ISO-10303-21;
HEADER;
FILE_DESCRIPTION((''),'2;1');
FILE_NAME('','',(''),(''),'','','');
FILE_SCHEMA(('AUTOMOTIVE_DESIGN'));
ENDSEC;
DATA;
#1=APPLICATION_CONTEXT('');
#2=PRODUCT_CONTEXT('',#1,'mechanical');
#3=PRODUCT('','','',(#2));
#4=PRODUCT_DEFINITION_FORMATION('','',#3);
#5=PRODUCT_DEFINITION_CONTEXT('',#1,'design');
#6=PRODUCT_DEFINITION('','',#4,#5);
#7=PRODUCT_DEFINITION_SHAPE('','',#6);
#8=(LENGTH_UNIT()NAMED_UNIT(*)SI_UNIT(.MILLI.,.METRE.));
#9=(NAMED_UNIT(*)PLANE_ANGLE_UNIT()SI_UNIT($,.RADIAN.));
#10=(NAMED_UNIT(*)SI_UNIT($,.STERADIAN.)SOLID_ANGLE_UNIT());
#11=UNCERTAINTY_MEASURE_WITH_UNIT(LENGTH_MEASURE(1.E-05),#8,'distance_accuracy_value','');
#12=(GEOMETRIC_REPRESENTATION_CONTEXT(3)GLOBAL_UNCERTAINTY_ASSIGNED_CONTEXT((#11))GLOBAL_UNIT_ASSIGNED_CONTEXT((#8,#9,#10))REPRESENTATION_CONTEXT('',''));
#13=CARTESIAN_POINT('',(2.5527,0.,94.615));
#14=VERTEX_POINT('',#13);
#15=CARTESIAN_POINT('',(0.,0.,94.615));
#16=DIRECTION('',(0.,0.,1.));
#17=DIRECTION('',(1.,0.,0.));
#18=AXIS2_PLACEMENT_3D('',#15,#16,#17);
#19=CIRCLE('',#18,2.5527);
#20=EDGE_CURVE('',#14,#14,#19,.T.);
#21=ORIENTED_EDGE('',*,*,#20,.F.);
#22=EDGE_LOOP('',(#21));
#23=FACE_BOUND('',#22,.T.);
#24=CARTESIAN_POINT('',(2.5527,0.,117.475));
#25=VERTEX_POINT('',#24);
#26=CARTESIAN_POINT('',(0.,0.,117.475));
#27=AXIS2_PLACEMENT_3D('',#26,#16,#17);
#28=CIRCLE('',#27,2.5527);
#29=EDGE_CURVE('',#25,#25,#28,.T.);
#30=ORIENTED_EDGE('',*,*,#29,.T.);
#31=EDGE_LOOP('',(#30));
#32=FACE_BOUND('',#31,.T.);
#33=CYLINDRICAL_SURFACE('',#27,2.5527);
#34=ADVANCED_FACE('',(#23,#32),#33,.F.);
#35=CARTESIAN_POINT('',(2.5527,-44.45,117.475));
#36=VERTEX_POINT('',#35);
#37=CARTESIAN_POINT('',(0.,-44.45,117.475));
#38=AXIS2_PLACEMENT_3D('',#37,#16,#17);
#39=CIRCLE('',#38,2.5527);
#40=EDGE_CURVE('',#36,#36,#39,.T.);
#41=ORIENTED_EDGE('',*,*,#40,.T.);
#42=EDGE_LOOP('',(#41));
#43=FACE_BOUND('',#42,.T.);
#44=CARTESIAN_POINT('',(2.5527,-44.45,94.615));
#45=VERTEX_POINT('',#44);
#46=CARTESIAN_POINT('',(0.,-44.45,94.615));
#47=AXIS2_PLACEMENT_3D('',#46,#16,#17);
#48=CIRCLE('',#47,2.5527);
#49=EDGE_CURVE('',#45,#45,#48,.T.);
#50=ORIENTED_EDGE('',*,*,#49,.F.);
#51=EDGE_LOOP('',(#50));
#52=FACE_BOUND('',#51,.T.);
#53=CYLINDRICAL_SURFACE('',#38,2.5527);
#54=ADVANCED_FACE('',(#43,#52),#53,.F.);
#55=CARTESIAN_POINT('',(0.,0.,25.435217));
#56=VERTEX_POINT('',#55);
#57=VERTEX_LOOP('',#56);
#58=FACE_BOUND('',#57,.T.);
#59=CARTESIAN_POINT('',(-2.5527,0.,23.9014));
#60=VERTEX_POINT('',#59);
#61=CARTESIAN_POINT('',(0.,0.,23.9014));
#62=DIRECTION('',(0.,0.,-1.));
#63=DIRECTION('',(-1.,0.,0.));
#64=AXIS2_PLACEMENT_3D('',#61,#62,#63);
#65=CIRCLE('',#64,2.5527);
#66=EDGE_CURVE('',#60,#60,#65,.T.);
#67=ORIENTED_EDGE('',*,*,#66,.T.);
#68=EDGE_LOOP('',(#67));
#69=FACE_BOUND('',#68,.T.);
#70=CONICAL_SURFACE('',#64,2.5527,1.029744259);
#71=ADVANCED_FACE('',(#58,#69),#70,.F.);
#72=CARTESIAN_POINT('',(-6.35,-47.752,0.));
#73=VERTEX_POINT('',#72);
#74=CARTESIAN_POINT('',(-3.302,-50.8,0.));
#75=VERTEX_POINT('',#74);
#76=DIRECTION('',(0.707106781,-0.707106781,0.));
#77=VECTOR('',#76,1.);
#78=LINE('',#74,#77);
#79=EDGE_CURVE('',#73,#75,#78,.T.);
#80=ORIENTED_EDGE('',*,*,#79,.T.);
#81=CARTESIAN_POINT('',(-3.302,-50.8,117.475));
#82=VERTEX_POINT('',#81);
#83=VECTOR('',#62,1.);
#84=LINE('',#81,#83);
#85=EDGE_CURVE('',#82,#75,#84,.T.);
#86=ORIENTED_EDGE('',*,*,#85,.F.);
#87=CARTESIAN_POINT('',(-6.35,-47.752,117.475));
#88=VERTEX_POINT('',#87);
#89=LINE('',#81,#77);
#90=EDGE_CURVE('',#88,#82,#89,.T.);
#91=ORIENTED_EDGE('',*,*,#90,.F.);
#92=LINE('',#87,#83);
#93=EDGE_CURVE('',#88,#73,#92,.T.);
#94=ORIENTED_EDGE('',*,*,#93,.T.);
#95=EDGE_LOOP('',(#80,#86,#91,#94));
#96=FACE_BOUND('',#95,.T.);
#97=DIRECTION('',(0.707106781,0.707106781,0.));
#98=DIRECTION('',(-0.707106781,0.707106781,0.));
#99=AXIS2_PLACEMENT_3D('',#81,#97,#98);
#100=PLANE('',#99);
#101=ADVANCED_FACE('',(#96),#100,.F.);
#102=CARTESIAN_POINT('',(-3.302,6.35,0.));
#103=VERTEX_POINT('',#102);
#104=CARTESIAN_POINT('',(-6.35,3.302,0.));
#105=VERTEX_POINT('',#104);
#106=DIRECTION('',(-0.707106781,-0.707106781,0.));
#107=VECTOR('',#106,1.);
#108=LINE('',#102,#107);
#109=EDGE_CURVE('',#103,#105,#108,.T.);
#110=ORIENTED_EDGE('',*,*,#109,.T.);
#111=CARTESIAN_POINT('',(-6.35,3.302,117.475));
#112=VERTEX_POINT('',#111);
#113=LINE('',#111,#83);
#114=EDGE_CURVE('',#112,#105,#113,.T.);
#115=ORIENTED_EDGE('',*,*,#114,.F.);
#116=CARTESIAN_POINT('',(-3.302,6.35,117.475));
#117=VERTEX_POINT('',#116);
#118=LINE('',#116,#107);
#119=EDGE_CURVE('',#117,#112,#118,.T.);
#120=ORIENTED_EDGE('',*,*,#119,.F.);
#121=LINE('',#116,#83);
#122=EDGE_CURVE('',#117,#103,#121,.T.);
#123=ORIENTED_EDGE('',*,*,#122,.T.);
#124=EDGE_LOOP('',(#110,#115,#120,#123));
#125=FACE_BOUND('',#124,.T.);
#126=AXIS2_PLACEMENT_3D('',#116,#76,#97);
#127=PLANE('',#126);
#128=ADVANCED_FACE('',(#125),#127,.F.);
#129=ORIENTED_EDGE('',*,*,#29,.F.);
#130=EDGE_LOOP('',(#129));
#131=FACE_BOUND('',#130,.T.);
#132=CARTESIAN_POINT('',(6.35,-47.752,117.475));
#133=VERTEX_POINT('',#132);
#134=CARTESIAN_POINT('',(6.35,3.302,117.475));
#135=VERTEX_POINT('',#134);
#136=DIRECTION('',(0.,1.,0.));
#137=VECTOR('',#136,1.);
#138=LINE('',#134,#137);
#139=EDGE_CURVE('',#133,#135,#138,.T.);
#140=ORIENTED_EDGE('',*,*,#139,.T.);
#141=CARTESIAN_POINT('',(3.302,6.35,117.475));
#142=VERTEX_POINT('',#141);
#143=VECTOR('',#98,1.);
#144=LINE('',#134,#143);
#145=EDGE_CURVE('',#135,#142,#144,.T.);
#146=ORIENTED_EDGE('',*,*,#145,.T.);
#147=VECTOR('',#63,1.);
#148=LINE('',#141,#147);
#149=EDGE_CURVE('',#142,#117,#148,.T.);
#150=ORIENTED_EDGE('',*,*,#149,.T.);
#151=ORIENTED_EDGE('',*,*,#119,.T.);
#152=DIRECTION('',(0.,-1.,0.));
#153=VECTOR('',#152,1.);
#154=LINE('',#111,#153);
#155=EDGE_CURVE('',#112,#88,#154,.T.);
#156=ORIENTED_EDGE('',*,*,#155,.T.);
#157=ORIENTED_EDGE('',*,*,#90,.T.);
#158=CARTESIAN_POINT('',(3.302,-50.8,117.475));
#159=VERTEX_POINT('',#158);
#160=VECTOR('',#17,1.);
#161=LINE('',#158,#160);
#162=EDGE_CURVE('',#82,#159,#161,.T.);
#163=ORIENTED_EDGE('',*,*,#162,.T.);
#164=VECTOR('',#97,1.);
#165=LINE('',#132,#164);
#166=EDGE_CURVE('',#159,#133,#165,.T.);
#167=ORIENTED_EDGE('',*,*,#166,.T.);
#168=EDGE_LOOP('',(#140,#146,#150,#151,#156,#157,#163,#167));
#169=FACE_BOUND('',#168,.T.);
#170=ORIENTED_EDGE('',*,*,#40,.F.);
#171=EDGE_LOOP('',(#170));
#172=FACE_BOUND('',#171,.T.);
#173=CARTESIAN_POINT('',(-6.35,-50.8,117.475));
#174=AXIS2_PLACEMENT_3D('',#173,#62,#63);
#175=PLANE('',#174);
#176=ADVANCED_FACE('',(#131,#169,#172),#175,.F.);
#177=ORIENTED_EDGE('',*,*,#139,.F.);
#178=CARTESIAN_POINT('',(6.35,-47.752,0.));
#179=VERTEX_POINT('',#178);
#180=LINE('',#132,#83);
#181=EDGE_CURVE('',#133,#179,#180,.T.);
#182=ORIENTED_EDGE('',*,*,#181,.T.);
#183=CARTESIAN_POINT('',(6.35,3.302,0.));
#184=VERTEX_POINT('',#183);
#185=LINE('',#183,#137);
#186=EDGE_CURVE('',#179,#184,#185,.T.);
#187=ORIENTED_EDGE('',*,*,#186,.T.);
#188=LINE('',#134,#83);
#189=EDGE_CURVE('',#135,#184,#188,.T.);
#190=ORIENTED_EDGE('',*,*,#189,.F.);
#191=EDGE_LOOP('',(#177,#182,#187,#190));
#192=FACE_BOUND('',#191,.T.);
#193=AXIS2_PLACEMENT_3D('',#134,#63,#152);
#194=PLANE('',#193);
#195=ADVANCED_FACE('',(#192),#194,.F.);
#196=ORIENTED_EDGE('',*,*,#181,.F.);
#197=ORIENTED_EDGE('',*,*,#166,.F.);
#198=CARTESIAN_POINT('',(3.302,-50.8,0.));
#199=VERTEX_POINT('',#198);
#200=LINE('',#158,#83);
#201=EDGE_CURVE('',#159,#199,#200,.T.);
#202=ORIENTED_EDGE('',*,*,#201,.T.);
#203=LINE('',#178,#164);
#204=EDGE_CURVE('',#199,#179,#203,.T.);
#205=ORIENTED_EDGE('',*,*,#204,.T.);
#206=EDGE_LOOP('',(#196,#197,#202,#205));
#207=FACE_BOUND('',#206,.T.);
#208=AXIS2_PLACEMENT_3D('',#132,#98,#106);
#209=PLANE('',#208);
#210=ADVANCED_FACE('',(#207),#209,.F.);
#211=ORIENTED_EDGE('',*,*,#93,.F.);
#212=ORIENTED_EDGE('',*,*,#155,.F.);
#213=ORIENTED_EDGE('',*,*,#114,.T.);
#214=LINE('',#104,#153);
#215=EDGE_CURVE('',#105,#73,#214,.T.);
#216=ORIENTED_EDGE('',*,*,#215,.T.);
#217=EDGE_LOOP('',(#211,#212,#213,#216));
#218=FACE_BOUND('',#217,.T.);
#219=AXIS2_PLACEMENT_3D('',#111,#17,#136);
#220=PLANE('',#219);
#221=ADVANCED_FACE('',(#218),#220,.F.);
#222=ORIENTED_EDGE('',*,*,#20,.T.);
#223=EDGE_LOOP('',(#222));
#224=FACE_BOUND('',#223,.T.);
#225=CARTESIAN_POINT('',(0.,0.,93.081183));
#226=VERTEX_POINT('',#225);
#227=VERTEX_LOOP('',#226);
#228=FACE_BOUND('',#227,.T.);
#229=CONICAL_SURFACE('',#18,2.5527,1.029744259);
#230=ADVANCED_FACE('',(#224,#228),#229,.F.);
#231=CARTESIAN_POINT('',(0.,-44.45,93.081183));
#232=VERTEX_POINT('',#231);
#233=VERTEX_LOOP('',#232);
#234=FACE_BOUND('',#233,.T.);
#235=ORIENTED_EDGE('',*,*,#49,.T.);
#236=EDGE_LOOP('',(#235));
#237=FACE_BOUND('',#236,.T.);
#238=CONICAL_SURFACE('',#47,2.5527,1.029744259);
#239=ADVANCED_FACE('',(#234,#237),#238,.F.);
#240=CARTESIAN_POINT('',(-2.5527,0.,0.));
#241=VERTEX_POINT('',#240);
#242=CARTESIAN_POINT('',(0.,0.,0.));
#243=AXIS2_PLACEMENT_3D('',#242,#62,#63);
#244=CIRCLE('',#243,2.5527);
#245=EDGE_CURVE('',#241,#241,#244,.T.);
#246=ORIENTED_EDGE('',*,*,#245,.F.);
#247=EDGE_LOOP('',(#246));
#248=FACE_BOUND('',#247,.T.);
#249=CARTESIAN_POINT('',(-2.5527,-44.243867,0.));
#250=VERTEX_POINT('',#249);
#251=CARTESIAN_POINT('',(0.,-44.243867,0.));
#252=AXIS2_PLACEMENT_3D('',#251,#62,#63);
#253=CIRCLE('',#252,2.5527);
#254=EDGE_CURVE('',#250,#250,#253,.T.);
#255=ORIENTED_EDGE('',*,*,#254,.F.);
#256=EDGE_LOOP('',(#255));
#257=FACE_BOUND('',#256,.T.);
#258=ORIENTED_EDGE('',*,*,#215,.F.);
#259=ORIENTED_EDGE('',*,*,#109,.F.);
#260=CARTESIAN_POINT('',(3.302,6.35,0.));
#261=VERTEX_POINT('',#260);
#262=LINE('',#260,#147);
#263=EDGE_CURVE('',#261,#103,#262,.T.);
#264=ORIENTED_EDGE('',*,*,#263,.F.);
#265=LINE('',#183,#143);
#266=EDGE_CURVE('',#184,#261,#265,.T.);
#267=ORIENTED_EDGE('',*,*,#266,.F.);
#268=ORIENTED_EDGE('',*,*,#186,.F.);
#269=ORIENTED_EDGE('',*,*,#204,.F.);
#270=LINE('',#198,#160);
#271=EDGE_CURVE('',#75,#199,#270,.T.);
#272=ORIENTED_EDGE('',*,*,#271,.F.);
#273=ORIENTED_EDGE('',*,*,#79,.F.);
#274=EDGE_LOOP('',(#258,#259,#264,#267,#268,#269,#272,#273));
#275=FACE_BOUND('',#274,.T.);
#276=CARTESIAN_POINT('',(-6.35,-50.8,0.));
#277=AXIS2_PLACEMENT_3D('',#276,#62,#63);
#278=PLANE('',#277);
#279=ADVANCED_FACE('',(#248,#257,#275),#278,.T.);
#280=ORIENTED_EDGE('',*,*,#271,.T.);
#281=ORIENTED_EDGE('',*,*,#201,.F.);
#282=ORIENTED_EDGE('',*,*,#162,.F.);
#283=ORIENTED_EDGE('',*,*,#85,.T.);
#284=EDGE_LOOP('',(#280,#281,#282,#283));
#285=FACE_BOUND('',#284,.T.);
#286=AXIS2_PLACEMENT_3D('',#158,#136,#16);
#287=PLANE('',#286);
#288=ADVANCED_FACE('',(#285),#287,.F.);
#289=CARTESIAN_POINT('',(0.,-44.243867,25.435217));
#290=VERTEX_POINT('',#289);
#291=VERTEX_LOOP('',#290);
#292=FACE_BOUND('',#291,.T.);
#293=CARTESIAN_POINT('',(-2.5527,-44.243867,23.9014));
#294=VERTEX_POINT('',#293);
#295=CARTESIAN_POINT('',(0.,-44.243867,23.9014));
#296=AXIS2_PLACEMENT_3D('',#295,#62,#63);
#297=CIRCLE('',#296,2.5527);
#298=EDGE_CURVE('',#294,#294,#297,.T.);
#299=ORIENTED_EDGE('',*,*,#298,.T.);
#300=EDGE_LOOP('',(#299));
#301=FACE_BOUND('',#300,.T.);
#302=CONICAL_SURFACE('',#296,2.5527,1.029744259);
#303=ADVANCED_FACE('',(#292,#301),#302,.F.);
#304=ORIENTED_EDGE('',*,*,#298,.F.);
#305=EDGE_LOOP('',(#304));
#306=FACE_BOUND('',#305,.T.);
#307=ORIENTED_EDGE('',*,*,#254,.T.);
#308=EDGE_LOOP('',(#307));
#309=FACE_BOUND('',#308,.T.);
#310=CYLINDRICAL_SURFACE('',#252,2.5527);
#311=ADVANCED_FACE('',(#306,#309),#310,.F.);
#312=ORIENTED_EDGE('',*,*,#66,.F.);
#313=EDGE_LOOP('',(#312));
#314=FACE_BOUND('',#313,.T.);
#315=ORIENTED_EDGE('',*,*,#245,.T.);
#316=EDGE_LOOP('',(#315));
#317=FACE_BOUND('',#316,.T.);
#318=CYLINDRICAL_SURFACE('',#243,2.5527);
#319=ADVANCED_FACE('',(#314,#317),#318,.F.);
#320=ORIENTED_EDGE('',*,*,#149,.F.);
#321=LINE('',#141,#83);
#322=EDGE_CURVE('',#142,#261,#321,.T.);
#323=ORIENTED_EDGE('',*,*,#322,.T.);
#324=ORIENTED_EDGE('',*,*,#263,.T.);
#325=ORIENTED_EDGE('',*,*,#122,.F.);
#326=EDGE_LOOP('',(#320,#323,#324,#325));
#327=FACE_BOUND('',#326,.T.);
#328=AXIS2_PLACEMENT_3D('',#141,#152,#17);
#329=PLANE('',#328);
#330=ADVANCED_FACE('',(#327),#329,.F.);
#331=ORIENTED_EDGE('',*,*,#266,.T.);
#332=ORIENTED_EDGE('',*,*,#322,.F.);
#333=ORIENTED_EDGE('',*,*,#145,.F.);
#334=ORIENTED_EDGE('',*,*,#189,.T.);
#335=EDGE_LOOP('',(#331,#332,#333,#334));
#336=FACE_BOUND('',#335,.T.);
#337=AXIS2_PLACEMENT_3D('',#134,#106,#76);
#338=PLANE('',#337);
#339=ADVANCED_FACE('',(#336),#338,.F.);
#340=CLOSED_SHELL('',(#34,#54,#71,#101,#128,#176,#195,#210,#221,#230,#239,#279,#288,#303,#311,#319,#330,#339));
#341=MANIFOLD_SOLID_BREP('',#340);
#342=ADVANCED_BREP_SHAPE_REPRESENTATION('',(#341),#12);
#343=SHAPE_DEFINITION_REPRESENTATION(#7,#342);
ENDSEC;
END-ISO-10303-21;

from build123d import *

# Parameters (mm, degrees)
BOSS_EXTRUDE1_DEPTH         = 117.475
F_1_4_20_TAPPED_HOLE1_D     = 5.1054
F_1_4_20_TAPPED_HOLE1_DEPTH = 22.86
F_1_4_20_TAPPED_HOLE1_TIP   = 1.533816902
F_1_4_20_TAPPED_HOLE2_D     = 5.1054
F_1_4_20_TAPPED_HOLE2_DEPTH = 23.9014
F_1_4_20_TAPPED_HOLE2_TIP   = 1.533816902


with BuildPart() as part:
    # Sketch1 → Boss-Extrude1 (new body)
    with BuildSketch(Plane.XY):
        Polygon((-3.302, 6.35), (-6.35, 3.302), (-6.35, -47.752), (-3.302, -50.8), (3.302, -50.8), (6.35, -47.752), (6.35, 3.302), (3.302, 6.35), align=None)
    extrude(amount=BOSS_EXTRUDE1_DEPTH)

    # 1/4-20 Tapped Hole1
    with Locations(Plane.XY.offset(117.475)):
        with Locations((0, 0), (0, -44.45)):
            Hole(F_1_4_20_TAPPED_HOLE1_D / 2, depth=F_1_4_20_TAPPED_HOLE1_DEPTH)
            with Locations((0, 0, -(F_1_4_20_TAPPED_HOLE1_DEPTH + F_1_4_20_TAPPED_HOLE1_TIP / 2))):  # 118° drill point
                Cone(0, F_1_4_20_TAPPED_HOLE1_D / 2, F_1_4_20_TAPPED_HOLE1_TIP, mode=Mode.SUBTRACT)

    # 1/4-20 Tapped Hole2
    with Locations(Plane(origin=(0, 0, 0), x_dir=(-1, 0, 0), z_dir=(0, 0, -1))):
        with Locations((0, 0), (0, -44.243867412)):
            Hole(F_1_4_20_TAPPED_HOLE2_D / 2, depth=F_1_4_20_TAPPED_HOLE2_DEPTH)
            with Locations((0, 0, -(F_1_4_20_TAPPED_HOLE2_DEPTH + F_1_4_20_TAPPED_HOLE2_TIP / 2))):  # 118° drill point
                Cone(0, F_1_4_20_TAPPED_HOLE2_D / 2, F_1_4_20_TAPPED_HOLE2_TIP, mode=Mode.SUBTRACT)


solid = part.part
